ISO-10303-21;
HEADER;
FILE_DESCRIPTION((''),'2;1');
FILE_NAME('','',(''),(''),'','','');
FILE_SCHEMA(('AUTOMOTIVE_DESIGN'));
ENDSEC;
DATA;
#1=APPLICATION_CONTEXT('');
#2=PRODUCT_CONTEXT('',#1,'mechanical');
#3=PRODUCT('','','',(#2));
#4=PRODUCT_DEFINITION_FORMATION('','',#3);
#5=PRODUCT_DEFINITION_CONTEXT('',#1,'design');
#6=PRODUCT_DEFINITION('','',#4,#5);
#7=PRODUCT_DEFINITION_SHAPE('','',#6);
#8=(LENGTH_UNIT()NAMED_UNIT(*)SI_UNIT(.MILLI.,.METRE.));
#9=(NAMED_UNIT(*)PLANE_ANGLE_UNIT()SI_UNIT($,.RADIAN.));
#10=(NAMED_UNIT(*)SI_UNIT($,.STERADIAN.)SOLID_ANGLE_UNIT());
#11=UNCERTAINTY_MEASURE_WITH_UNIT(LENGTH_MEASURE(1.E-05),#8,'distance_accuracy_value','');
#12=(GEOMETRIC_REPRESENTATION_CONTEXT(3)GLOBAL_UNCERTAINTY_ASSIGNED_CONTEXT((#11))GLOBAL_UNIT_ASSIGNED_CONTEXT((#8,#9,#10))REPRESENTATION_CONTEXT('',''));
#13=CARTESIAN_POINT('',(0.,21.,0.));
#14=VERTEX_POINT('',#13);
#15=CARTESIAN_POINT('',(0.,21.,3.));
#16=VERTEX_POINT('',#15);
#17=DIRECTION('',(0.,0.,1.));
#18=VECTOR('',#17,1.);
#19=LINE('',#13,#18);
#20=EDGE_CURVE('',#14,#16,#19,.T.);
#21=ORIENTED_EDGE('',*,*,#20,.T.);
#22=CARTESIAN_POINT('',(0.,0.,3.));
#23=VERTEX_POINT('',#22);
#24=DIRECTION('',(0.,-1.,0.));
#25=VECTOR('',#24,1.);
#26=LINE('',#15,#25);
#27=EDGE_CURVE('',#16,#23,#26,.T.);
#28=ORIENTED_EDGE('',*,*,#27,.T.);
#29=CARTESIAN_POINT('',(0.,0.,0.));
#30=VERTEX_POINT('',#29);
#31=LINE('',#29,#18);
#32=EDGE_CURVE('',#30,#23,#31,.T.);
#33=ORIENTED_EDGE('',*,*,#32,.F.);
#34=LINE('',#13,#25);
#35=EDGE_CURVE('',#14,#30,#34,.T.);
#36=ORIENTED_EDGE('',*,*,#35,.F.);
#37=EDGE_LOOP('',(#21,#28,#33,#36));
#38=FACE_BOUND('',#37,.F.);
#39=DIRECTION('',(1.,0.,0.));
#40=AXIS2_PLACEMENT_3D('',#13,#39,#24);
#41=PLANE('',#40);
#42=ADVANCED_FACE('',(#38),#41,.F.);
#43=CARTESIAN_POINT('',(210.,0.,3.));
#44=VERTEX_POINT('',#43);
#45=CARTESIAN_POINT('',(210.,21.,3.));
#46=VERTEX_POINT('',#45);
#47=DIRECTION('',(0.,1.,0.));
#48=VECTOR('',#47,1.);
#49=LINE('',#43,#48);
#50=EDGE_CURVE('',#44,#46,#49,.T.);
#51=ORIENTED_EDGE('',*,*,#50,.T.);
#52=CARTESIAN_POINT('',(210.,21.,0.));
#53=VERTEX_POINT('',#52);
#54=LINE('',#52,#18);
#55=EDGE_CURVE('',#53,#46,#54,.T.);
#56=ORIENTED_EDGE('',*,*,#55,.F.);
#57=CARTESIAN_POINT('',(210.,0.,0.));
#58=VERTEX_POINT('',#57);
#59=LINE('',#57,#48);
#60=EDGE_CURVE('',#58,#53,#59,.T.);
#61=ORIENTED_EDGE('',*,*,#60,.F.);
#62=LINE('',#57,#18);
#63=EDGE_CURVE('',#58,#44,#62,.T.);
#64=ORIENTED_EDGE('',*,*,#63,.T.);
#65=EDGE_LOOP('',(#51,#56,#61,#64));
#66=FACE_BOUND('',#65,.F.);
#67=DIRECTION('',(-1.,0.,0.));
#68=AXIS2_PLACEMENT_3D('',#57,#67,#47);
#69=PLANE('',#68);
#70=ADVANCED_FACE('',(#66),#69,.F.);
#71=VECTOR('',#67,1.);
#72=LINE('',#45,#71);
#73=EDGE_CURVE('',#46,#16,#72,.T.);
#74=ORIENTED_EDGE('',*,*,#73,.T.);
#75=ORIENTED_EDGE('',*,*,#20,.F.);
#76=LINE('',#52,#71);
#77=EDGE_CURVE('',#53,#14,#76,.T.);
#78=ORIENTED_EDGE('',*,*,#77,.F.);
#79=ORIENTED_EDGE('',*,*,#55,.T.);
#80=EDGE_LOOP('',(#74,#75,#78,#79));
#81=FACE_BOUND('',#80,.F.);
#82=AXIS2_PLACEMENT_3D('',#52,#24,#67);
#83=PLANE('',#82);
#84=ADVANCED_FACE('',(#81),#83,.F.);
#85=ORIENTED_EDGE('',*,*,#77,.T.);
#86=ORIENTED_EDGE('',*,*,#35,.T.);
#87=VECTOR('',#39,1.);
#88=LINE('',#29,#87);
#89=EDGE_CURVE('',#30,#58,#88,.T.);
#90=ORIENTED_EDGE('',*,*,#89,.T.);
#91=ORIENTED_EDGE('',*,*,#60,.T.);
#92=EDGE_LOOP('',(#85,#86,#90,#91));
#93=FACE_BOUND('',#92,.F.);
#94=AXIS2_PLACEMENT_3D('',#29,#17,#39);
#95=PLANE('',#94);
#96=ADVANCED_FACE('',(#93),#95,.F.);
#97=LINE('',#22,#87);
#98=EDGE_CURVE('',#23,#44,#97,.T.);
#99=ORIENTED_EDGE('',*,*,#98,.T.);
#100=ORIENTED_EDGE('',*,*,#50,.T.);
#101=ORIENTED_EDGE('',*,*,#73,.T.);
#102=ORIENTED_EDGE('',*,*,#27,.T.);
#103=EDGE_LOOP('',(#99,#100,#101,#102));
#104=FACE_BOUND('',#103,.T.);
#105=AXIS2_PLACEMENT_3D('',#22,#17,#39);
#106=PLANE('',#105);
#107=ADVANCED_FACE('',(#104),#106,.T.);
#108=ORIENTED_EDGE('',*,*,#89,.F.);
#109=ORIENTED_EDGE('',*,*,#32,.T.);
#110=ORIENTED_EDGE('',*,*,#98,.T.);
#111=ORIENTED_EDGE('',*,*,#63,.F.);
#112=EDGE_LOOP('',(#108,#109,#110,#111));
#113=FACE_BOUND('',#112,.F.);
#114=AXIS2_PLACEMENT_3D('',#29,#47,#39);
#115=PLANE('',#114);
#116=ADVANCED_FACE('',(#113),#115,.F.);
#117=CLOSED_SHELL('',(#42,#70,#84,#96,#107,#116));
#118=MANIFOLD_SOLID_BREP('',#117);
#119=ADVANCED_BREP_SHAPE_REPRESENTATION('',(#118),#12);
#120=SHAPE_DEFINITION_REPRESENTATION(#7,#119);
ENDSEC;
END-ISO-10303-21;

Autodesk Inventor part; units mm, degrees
ref_plane "YZ Plane" through (0, 0, 0) normal (1, 0, 0) x (0, 1, 0)
ref_plane "XZ Plane" through (0, 0, 0) normal (0, 1, 0) x (-1, 0, 0)
ref_plane "XY Plane" through (0, 0, 0) normal (0, 0, 1) x (1, 0, 0)
sketch "Sketch1" plane through (0, 0, 0) normal (0, 0, 1) x (1, 0, 0)
  line L0 (0, 0) -> (210, 0)
  line L1 (210, 0) -> (210, 21)
  line L2 (210, 21) -> (0, 21)
  line L3 (0, 21) -> (0, 0)
  dimension "d0" = 210
  dimension "d1" = 21
extrude "Extrusion1" add sketch "Sketch1" along normal blind 3
properties part number "pcb cover left"
